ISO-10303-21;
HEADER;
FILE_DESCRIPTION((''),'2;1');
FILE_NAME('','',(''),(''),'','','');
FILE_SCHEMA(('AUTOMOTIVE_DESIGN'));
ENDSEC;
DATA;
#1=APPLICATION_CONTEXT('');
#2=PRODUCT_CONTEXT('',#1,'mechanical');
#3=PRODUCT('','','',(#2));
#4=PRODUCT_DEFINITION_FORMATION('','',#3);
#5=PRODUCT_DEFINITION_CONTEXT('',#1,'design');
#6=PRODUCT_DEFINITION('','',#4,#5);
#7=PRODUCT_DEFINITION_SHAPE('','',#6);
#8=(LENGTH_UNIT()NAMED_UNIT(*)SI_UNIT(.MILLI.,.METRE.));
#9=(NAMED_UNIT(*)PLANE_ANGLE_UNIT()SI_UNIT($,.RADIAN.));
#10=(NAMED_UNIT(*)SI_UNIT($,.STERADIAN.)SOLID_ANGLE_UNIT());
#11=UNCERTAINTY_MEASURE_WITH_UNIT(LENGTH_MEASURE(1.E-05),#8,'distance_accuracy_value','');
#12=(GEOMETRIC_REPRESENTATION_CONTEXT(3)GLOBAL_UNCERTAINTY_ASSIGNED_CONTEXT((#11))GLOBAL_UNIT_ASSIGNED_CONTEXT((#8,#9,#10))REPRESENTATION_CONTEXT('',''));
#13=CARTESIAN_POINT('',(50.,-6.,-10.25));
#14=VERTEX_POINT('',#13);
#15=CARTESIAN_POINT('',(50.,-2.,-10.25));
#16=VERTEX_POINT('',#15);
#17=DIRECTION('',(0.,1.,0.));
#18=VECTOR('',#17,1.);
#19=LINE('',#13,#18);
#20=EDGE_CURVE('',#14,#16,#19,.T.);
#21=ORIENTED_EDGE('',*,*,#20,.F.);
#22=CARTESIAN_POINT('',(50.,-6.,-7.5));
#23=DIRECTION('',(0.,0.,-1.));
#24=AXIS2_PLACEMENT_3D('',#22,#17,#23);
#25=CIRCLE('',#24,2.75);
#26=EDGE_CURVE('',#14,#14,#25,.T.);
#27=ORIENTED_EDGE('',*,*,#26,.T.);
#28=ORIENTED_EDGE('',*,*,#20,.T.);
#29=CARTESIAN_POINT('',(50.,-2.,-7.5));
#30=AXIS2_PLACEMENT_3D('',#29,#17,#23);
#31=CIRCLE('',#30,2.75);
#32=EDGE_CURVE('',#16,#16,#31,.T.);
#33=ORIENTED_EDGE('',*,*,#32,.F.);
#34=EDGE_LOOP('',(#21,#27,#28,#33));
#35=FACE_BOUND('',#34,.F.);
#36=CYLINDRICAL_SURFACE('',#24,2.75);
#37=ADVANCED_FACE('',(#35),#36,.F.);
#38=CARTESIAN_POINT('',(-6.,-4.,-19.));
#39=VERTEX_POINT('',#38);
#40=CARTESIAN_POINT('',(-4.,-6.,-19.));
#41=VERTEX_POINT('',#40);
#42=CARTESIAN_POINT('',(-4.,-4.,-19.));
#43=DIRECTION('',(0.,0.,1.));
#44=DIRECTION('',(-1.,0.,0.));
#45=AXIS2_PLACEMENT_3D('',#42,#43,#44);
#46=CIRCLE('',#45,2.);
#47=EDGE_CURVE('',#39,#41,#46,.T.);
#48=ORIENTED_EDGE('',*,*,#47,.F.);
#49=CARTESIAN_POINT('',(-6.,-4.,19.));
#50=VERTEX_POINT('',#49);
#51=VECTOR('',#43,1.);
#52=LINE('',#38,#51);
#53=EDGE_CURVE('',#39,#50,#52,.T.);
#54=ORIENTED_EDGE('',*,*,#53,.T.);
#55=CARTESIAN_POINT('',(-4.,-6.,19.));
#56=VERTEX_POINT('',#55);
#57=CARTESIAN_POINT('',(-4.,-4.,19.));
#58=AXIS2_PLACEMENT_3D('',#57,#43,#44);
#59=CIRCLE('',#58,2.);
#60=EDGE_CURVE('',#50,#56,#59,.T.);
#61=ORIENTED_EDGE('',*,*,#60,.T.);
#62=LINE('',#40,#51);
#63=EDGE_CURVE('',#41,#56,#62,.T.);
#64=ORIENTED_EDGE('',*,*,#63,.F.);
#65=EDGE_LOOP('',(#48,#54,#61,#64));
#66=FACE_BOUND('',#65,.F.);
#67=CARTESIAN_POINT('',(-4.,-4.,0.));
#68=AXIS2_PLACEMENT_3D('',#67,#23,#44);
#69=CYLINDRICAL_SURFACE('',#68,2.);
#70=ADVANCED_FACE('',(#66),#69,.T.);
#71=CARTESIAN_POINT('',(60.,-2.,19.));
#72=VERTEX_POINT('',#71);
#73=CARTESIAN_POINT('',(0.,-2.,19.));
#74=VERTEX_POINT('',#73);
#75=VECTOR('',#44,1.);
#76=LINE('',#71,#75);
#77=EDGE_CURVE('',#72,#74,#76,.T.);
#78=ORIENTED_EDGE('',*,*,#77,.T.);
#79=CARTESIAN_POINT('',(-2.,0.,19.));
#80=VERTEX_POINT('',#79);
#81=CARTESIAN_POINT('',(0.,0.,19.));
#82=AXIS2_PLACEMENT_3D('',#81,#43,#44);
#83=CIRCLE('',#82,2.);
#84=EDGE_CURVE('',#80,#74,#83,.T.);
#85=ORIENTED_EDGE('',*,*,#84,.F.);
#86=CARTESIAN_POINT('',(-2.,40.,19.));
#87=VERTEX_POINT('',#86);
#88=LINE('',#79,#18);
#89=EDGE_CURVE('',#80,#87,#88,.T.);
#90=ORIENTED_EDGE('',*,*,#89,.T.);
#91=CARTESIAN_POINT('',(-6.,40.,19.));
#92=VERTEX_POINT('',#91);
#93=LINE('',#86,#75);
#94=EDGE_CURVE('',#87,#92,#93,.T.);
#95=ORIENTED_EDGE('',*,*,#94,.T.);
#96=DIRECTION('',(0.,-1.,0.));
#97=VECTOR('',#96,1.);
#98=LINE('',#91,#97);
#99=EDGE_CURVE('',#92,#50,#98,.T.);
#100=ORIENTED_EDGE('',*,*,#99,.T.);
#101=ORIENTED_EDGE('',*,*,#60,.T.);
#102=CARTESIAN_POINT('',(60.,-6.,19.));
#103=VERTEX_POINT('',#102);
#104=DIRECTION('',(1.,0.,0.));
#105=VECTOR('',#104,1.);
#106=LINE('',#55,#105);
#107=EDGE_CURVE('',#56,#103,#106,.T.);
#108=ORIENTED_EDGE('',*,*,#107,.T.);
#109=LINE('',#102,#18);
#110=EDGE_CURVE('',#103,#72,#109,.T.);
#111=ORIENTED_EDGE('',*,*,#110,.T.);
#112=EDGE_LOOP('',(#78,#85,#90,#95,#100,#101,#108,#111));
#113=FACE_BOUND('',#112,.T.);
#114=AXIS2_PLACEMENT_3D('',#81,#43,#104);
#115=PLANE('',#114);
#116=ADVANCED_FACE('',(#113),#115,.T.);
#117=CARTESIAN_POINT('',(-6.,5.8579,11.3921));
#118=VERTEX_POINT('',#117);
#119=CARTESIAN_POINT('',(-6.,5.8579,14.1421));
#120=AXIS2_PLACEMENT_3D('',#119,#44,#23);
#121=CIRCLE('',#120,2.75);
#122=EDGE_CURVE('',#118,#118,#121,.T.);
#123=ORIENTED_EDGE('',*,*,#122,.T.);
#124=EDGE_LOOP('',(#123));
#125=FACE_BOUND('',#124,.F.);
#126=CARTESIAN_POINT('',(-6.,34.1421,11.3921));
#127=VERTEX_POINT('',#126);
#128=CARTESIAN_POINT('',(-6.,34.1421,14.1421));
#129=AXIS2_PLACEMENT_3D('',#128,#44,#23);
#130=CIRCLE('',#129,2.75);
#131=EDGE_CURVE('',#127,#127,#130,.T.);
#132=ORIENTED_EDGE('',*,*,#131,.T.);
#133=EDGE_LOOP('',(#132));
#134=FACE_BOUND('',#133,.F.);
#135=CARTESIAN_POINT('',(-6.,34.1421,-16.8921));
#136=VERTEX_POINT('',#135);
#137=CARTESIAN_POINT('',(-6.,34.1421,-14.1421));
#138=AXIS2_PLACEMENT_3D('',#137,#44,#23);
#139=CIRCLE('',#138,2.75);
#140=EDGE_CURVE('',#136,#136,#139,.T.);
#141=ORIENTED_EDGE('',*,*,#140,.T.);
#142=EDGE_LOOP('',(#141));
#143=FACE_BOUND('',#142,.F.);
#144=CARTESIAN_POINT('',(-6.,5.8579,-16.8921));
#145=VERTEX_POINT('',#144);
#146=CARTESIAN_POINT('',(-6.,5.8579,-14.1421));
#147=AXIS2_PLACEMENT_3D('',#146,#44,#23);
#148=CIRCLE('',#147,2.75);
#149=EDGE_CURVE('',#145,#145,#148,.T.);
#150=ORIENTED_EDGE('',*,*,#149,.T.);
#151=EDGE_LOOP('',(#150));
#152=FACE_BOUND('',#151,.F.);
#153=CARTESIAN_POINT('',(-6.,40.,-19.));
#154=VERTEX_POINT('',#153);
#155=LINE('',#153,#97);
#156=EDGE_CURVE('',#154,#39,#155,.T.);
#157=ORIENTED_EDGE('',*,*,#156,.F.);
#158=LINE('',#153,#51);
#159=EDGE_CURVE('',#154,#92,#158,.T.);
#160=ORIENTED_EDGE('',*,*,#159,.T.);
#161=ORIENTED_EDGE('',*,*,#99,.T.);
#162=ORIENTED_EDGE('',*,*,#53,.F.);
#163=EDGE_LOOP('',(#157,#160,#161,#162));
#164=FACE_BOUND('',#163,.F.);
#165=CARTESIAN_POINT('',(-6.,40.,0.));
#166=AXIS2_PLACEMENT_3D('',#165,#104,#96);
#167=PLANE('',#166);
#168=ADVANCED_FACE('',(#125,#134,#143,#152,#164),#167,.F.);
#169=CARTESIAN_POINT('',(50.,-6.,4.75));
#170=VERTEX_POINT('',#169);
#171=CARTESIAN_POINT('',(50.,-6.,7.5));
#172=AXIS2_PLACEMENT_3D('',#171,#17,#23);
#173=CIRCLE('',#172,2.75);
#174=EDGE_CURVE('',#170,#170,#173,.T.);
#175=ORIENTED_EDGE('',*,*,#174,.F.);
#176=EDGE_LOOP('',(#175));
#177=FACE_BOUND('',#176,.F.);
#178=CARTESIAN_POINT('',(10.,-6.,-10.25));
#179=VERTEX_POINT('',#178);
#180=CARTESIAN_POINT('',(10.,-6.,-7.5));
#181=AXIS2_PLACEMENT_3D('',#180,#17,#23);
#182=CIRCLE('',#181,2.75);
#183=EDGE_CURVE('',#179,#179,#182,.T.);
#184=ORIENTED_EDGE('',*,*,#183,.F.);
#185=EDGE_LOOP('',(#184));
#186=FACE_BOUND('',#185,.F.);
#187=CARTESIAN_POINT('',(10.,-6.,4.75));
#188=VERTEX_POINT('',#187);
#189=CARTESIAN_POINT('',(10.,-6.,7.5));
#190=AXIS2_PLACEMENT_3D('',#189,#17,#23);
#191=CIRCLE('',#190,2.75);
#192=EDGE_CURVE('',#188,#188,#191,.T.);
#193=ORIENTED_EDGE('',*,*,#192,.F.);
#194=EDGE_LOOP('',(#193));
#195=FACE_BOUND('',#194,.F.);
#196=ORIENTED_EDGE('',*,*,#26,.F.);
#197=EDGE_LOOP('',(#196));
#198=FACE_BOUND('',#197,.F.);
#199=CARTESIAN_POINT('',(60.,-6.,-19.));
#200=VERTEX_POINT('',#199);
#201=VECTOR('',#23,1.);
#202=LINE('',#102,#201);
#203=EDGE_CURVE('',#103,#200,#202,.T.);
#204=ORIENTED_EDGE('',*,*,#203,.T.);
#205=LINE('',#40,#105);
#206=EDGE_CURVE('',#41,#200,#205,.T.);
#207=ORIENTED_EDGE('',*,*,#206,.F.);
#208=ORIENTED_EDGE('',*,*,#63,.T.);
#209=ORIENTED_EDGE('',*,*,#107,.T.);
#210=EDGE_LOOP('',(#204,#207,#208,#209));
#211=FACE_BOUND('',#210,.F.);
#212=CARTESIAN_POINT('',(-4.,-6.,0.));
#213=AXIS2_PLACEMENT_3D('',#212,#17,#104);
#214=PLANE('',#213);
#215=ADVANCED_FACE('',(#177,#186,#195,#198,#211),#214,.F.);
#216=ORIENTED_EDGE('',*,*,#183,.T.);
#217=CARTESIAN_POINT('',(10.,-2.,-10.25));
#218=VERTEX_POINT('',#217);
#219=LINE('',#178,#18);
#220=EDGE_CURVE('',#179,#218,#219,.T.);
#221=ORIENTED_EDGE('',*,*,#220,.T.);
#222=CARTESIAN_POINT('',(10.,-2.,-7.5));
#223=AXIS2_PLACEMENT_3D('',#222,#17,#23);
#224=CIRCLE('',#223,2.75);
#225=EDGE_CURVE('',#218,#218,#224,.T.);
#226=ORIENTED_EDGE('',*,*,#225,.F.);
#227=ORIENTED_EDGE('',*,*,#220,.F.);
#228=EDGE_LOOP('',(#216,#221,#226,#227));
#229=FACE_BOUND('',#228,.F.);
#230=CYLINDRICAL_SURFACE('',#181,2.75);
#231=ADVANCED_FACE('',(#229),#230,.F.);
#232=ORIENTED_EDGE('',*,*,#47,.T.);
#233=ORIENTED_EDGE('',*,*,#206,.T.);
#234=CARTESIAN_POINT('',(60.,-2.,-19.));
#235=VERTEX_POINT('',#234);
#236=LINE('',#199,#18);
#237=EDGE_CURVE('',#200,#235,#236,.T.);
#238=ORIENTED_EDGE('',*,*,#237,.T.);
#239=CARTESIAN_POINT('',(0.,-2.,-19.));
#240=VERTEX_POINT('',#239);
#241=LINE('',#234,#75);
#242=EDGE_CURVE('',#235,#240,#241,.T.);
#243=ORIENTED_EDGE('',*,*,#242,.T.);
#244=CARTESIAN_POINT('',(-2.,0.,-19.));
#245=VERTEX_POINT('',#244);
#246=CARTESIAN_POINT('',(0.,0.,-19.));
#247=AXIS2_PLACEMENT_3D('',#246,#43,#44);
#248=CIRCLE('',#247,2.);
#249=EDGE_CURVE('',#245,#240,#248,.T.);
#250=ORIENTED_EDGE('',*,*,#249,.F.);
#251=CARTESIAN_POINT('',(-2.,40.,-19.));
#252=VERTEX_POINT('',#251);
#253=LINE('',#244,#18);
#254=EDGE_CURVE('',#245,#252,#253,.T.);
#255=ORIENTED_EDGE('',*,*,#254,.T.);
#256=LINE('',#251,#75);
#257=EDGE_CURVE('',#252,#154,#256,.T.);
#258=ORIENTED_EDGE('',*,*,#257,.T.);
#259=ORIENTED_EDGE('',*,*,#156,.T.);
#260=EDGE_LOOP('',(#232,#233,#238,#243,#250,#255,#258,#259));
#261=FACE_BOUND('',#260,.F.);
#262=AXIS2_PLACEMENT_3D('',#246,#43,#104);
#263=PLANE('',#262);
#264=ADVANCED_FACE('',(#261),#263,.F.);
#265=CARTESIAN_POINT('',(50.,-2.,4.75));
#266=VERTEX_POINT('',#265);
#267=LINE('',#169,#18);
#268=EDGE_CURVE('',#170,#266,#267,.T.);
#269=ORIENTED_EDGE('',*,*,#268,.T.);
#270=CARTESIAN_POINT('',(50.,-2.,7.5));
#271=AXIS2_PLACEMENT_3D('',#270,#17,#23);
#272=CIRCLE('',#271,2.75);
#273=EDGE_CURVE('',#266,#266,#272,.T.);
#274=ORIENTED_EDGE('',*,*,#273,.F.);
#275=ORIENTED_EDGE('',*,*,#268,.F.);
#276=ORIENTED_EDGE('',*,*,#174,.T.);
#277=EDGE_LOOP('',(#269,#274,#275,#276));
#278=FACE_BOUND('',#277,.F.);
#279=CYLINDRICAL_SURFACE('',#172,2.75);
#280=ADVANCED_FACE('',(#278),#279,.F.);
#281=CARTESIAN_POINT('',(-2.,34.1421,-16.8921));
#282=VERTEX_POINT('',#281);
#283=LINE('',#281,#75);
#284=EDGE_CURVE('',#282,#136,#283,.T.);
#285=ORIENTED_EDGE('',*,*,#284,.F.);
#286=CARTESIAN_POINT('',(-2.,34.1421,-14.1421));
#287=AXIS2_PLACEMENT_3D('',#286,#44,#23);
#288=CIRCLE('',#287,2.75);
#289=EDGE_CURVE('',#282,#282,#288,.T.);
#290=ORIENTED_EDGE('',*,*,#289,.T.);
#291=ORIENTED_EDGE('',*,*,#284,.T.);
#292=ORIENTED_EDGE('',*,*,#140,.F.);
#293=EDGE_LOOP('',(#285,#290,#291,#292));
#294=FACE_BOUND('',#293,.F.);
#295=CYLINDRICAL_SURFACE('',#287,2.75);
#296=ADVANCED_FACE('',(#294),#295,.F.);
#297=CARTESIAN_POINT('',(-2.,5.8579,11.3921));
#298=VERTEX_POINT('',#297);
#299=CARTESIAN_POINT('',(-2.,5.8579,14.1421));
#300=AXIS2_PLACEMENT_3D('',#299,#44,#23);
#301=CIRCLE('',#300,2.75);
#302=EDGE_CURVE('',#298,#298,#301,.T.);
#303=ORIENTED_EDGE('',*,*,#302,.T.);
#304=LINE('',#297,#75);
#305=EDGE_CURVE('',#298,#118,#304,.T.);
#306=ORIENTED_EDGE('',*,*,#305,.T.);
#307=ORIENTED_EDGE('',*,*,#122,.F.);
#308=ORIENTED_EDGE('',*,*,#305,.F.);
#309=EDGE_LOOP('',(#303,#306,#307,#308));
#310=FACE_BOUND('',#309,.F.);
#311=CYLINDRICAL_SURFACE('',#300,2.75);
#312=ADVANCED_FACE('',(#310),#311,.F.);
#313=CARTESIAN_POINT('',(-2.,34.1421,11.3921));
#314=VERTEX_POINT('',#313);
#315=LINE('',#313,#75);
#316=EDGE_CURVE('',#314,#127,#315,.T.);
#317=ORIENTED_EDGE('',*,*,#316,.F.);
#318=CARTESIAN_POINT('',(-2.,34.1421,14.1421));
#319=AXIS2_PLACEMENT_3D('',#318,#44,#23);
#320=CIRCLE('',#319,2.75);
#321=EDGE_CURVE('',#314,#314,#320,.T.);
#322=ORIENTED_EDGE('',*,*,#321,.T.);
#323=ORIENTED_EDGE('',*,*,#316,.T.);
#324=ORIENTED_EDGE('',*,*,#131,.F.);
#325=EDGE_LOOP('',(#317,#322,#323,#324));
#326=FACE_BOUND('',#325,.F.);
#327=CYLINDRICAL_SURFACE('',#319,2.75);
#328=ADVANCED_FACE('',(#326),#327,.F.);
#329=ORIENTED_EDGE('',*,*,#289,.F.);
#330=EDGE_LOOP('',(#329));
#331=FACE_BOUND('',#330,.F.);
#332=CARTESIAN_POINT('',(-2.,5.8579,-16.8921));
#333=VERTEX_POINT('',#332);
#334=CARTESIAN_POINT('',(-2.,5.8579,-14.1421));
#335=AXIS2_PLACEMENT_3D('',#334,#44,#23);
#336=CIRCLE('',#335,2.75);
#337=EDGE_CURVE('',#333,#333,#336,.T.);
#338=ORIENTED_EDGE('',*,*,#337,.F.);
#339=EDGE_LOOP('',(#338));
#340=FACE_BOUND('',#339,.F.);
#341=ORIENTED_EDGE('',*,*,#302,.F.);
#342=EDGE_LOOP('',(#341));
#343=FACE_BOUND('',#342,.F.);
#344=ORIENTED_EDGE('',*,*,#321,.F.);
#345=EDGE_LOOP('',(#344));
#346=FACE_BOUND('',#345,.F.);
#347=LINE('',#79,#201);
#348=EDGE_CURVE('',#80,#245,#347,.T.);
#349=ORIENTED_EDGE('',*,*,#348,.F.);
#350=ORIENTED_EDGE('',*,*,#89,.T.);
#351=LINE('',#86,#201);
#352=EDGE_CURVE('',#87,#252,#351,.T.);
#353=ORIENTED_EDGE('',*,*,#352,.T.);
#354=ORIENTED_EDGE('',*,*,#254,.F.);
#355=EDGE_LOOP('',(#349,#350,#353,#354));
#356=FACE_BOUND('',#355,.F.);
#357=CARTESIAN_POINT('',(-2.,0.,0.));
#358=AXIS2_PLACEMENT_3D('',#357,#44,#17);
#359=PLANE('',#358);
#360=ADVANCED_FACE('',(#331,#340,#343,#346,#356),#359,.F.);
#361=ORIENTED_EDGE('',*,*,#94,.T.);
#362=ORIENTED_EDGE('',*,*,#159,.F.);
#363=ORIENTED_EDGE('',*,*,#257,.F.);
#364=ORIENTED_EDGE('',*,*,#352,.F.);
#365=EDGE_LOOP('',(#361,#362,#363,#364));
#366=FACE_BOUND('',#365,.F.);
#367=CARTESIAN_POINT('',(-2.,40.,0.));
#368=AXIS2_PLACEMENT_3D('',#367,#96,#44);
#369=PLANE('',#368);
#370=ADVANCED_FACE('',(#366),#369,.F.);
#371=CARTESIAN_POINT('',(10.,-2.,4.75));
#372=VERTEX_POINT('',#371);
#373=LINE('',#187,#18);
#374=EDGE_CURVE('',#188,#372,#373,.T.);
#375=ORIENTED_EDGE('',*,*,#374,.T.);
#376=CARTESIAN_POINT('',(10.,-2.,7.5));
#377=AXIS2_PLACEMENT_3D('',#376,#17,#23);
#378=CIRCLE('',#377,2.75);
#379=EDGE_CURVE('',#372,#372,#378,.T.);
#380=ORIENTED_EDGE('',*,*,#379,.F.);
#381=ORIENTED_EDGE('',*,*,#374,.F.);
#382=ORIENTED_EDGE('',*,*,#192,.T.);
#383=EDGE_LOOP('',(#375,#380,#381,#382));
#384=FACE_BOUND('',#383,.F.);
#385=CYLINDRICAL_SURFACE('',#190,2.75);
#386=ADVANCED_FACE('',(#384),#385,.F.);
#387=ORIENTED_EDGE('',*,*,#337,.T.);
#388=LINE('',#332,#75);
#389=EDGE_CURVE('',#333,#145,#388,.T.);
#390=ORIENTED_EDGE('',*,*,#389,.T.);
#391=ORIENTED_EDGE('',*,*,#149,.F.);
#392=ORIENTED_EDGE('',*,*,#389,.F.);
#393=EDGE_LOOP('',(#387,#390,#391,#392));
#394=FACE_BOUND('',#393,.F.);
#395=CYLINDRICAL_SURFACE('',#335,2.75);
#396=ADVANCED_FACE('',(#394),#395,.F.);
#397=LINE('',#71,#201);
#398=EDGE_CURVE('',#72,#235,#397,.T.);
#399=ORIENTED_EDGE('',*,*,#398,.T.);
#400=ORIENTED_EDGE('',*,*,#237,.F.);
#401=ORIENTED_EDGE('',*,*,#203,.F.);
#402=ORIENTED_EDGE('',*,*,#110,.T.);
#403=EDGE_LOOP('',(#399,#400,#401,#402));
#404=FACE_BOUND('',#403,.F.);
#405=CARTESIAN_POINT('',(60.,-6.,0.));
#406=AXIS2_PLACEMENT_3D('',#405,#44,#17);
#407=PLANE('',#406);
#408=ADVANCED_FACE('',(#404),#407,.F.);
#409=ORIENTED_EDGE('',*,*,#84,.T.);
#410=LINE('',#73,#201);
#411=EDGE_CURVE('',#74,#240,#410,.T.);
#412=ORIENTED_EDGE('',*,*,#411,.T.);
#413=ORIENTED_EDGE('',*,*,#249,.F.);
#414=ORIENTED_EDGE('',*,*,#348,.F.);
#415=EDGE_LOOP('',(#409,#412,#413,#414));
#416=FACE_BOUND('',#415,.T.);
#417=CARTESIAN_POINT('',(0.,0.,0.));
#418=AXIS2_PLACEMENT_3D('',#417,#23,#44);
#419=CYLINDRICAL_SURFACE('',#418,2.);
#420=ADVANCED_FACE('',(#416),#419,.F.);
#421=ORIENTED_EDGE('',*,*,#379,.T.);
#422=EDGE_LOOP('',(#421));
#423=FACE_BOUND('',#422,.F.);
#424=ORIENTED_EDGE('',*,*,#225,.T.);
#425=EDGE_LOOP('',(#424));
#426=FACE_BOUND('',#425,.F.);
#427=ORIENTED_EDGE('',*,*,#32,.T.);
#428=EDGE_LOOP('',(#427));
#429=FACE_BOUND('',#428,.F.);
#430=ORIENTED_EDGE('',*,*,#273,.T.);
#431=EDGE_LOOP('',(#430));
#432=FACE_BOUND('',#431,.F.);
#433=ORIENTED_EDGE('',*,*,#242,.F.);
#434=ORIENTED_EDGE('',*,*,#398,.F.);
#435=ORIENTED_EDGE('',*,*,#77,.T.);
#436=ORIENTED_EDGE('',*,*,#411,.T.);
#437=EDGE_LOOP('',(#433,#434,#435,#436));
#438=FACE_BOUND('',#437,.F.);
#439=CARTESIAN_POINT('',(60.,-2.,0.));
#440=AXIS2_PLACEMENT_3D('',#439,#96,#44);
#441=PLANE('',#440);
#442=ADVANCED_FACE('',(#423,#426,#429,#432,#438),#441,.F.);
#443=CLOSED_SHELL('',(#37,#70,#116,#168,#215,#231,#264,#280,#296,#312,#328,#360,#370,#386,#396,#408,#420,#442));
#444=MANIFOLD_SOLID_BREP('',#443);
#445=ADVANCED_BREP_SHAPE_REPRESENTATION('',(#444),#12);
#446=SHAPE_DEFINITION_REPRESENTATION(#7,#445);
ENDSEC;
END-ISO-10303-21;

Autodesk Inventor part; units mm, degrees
ref_plane "YZ Plane" through (0, 0, 0) normal (1, 0, 0) x (0, 1, 0)
ref_plane "XZ Plane" through (0, 0, 0) normal (0, 1, 0) x (-1, 0, 0)
ref_plane "XY Plane" through (0, 0, 0) normal (0, 0, 1) x (1, 0, 0)
sketch "Sketch1" plane through (0, 0, 0) normal (0, 0, 1) x (1, 0, 0)
  line L0 (-19.6971, 0) -> (73.2828, 0) construction
  line L1 (0, 49.2828) -> (0, -15.6971) construction
  line L2 (-6, 40) -> (-6, -4)
  line L3 (-4, -6) -> (60, -6)
  line L4 (60, -6) -> (60, -2)
  line L5 (60, -2) -> (0, -2)
  line L6 (-2, 0) -> (-2, 40)
  line L7 (-2, 40) -> (-6, 40)
  arc A0 (-2, 0) -> (0, -2) centre (0, 0) ccw
  arc A1 (-6, -4) -> (-4, -6) centre (-4, -4) ccw
  dimension "d0" = 2
  dimension "d1" = 4
  dimension "d2" = 4
  dimension "d3" = 40
  dimension "d5" = 60
extrude "Extrusion1" add sketch "Sketch1" along normal mid plane 38
sketch "Sketch2" plane through (-2, 0, 19) normal (1, 0, 0) x (0, 0, -1)
  line L0 (0, 40) -> (38, 40) construction
  line L1 (0, 0) -> (0, 40) construction
  line L2 (38, 0) -> (0, 0) construction
  line L3 (38, 40) -> (38, 0) construction
  line L4 (0, 0) -> (0, 40) construction
  line L5 (0, 20) -> (38, 20) construction
  line L6 (19, 0) -> (19, 40) construction
  line L7 (0, 40) -> (38, 40) construction
  circle A0 centre (19, 20) radius 20 construction
  point P0 (33.1421, 5.8579)
  point P1 (33.1421, 34.1421)
  point P2 (4.8579, 5.8579)
  point P3 (4.8579, 34.1421)
  dimension "d17" = 40
  dimension "d18" = 28.2843
  dimension "d19" = 28.2843
hole "Hole1" at (-2, 5.8579, -14.1421) at (-2, 34.1421, -14.1421) at (-2, 5.8579, 14.1421) at (-2, 34.1421, 14.1421) direction (-1, 0, 0) diameter 5.5 end through all clearance for "Socket Head Cap Screw" size "M5" standard "Ansi Metric M Profile"
sketch "Sketch3" plane through (-4, -6, 19) normal (0, -1, 0) x (1, 0, 0)
  line L0 (64, -38) -> (64, 0) construction
  line L1 (0, 0) -> (64, 0) construction
  line L2 (0, -38) -> (0, 0) construction
  line L3 (64, -38) -> (0, -38) construction
  line L4 (64, -19) -> (0, -19) construction
  line L5 (0, -38) -> (0, 0) construction
  line L6 (64, 0) -> (4, 0) construction
  line L7 (4, -38) -> (64, -38) construction
  line L8 (54, -11.5) -> (14, -11.5) construction
  line L9 (14, -11.5) -> (14, -26.5) construction
  line L10 (14, -26.5) -> (54, -26.5) construction
  line L11 (54, -26.5) -> (54, -11.5) construction
  line L12 (64, -38) -> (0, -38) construction
  line L13 (2, 0) -> (-2, 0) construction
  line L14 (4, -38) -> (4, 0) construction
  line L15 (34, 0) -> (34, -38) construction
  point P0 (4, -19)
  dimension "d20" = 15
  dimension "d21" = 40
hole "Hole2" at (50, -6, 7.5) at (50, -6, -7.5) at (10, -6, -7.5) at (10, -6, 7.5) direction (0, 1, 0) diameter 5.5 end through all clearance for "Socket Head Cap Screw" size "M5" standard "Ansi Metric M Profile"
equation "\"d18\" = d19"
properties part number "L_connector_actuators_endeffector"
